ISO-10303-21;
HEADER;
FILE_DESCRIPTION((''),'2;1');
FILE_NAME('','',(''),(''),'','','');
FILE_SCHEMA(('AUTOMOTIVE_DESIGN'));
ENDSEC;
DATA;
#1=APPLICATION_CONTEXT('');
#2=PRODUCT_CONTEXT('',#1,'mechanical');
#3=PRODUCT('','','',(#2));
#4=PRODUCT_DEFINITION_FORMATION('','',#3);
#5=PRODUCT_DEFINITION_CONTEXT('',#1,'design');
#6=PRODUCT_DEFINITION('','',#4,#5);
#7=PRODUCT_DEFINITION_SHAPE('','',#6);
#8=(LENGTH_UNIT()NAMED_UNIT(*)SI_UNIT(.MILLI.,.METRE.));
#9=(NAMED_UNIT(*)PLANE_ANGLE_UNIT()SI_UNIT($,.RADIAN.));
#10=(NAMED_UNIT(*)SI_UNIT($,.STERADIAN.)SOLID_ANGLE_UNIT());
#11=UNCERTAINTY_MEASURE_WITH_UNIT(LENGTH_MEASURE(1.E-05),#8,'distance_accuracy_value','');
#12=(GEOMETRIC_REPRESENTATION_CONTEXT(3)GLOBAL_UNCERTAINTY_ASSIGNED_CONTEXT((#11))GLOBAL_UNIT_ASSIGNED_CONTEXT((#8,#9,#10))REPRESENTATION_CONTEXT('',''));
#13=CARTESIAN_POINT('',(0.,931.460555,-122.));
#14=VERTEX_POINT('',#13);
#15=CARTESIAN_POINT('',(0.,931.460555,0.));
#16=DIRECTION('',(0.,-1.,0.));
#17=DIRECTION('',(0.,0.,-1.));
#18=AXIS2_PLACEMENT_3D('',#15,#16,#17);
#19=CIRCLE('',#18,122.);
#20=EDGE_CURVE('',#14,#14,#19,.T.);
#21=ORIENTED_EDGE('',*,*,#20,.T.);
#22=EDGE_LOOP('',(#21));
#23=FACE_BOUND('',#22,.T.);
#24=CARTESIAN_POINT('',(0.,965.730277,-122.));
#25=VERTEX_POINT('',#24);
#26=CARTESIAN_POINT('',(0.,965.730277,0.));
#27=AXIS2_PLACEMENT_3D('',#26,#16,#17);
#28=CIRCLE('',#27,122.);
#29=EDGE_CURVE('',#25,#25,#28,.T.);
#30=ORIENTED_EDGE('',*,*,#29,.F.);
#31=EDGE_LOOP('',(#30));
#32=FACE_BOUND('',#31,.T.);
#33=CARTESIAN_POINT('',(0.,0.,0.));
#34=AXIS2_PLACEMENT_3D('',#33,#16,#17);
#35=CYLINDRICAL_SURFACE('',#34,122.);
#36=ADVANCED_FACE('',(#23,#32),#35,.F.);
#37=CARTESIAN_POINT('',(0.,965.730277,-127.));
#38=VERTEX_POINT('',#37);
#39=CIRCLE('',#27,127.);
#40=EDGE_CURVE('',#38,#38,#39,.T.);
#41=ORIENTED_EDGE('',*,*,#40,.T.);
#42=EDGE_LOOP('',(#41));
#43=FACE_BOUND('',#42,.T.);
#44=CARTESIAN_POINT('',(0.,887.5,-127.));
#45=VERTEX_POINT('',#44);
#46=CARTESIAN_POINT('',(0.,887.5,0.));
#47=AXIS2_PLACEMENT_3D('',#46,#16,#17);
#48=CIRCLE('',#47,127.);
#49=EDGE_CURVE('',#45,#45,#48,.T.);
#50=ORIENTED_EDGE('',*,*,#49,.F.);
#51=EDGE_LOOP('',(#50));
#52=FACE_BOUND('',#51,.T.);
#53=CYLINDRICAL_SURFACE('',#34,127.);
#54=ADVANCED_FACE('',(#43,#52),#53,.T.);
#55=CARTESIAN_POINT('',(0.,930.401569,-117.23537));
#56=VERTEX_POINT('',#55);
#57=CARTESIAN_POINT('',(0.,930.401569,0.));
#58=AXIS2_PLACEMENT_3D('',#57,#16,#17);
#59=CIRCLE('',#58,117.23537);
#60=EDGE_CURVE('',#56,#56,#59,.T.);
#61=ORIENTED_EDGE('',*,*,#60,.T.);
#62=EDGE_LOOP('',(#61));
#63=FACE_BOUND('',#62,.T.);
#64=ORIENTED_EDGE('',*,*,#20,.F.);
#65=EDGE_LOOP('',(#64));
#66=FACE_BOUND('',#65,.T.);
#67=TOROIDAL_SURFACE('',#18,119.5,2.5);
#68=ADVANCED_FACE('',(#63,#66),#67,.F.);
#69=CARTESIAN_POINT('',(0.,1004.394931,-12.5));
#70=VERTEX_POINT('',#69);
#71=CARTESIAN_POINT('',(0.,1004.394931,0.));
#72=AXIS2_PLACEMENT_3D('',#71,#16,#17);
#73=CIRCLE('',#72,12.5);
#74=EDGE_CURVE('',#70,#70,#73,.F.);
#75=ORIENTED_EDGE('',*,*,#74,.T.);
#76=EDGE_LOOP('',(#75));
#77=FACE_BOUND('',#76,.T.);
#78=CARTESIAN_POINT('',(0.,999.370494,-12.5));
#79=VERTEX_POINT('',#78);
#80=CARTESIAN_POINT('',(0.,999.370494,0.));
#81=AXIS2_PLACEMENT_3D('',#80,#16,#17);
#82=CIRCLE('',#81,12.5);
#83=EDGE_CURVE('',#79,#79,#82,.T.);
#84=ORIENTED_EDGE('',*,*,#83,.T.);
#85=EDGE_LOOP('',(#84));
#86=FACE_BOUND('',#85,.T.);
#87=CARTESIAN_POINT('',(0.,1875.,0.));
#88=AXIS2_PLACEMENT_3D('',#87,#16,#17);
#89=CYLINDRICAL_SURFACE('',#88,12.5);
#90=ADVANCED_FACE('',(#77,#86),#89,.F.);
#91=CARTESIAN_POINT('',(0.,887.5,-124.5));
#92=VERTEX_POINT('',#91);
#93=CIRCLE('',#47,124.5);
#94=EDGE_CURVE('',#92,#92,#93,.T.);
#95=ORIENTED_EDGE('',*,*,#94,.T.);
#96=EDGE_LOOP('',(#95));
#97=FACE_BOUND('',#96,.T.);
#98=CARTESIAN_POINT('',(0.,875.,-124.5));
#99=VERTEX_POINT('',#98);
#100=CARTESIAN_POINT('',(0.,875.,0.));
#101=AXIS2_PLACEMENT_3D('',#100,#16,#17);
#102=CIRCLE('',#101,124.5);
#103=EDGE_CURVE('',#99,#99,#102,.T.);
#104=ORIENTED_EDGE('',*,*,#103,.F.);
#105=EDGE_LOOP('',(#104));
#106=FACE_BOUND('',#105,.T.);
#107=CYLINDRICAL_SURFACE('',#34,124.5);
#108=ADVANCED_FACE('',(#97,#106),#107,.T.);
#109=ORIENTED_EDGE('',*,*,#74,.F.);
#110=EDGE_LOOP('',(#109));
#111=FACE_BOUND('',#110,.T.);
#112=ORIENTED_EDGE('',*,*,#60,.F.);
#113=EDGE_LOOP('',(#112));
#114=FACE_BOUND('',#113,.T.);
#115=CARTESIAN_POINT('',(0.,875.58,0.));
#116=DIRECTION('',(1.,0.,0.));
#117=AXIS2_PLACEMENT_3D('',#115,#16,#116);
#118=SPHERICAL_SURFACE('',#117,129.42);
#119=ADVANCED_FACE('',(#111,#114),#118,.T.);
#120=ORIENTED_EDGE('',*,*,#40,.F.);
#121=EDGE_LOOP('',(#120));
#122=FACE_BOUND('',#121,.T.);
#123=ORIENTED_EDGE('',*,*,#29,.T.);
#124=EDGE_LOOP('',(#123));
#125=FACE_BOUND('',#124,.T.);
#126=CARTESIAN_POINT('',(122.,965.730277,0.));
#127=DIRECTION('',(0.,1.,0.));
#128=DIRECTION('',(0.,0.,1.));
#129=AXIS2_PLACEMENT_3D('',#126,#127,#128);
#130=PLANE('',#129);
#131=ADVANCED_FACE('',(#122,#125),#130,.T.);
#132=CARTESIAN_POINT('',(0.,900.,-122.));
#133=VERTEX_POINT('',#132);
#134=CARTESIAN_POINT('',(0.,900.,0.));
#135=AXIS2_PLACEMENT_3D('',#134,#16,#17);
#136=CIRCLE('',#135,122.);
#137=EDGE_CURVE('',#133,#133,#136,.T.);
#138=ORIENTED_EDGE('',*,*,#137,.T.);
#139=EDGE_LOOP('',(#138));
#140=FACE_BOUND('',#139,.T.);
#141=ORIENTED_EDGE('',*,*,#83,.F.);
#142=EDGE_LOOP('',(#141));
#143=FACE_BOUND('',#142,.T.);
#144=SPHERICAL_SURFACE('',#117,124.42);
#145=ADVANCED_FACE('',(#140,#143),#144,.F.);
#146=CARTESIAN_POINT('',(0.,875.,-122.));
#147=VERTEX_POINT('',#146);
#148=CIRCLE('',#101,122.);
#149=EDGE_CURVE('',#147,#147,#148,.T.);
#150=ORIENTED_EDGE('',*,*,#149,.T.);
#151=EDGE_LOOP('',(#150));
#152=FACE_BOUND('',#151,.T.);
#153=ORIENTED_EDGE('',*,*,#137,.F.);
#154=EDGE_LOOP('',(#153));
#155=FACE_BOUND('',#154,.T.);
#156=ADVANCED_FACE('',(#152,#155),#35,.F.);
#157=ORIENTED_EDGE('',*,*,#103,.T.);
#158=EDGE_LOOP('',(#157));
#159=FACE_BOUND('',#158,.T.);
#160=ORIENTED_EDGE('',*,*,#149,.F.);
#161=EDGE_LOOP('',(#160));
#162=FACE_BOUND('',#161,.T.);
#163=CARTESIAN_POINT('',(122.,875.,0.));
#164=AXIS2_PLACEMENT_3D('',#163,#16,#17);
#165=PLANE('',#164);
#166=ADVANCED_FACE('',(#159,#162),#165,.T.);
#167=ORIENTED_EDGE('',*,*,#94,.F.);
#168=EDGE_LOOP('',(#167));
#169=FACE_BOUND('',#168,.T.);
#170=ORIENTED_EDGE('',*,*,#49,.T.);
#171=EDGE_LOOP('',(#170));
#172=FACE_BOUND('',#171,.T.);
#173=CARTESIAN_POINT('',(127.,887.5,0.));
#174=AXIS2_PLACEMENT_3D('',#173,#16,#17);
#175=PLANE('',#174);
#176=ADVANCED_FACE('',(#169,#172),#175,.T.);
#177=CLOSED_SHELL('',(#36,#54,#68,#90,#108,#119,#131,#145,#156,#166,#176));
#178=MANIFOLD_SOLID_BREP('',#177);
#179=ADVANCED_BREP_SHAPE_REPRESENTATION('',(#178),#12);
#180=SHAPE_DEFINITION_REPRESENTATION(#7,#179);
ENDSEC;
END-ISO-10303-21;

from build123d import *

# Parameters (mm, degrees)
SKETCH3_R          = 12.5
CUT_EXTRUDE1_DEPTH = 1000


with BuildPart() as part:
    # Sketch2 → Revolve1 (revolve)
    with BuildSketch(Plane.XY):
        with BuildLine():
            Line((127, 900), (127, 965.730277379))
            Line((127, 965.730277379), (122, 965.730277379))
            Line((122, 965.730277379), (122, 931.460554757))
            ThreePointArc((122, 931.460554757), (120.042413497, 929.02010652), (117.235369921, 930.401569108))
            ThreePointArc((117.235369921, 930.401569108), (69.478517997, 984.769156682), (0, 1005))
            Line((0, 1005), (0, 1000))
            ThreePointArc((0, 1000), (78.873316147, 971.805445699), (122, 900))
            Line((122, 900), (122, 875))
            Line((122, 875), (124.5, 875))
            Line((124.5, 875), (124.5, 887.5))
            Line((124.5, 887.5), (127, 887.5))
            Line((127, 887.5), (127, 900))
        make_face()
    revolve(axis=Axis((0, 0, 0), (0, 1, 0)))

    # Sketch3 → Cut-Extrude1 (cut)
    with BuildSketch(Plane.XZ.offset(-875)):
        Circle(SKETCH3_R)
    extrude(amount=-CUT_EXTRUDE1_DEPTH, mode=Mode.SUBTRACT)


solid = part.part
